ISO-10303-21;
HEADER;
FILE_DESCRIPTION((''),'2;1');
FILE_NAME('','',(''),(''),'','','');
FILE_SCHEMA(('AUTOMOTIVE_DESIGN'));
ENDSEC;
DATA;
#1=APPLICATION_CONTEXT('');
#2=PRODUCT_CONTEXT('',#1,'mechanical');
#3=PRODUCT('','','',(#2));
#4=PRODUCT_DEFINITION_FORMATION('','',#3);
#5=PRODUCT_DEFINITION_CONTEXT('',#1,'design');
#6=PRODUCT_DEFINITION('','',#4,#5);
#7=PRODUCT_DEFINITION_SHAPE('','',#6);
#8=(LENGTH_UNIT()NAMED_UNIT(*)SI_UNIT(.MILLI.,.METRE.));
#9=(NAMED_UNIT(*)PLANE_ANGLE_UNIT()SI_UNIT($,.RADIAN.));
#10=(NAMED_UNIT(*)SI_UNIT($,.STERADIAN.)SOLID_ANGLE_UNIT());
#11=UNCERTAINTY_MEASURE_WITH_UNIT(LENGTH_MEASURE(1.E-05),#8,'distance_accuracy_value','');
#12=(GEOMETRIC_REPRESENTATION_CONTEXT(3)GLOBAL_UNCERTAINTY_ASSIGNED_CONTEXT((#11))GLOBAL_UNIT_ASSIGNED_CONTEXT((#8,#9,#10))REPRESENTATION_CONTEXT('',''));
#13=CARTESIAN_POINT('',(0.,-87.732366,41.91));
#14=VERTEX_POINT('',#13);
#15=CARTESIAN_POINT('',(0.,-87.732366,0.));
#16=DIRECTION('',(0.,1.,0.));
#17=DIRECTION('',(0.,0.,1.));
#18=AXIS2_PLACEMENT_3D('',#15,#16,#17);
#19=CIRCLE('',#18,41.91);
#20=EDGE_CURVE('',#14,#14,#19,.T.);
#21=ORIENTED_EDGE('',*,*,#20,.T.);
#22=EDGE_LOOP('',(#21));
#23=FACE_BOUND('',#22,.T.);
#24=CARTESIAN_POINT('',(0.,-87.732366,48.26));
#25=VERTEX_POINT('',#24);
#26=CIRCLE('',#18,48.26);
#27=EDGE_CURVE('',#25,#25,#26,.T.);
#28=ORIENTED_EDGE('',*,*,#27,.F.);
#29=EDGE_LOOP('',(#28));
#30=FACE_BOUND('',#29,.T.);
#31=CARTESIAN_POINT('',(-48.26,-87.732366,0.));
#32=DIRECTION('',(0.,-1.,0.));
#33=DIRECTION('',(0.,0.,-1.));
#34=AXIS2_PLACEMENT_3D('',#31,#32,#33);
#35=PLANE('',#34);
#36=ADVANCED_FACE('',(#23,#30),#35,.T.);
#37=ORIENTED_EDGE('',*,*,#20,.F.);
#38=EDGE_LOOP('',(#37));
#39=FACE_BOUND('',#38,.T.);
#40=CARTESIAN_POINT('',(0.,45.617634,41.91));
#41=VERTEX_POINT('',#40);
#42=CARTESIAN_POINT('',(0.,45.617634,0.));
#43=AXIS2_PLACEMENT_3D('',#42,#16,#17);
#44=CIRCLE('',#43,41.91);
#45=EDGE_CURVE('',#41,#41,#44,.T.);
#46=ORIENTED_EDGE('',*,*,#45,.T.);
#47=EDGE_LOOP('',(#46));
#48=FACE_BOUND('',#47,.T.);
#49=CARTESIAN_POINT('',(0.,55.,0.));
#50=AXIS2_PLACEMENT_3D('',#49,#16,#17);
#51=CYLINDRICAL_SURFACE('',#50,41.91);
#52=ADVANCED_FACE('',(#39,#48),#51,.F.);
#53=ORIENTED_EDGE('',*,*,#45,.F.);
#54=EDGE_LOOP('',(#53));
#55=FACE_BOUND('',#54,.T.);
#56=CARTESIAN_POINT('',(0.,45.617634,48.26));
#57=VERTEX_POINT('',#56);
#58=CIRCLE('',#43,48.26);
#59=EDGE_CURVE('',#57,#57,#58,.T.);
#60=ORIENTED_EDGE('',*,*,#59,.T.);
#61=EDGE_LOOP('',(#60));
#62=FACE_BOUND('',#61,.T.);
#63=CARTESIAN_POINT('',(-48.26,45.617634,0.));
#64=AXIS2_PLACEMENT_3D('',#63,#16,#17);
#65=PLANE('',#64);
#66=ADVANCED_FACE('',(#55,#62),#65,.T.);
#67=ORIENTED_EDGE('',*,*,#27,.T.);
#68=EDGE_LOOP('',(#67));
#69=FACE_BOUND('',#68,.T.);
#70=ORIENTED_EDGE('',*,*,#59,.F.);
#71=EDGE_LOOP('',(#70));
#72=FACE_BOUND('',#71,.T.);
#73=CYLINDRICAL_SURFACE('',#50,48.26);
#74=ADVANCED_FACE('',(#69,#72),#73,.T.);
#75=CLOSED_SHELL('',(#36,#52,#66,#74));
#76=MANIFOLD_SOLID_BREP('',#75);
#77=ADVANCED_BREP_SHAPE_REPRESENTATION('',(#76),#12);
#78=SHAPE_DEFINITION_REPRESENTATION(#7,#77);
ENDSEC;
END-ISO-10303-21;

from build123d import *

# Parameters (mm, degrees)
SKETCH1_W = 6.35
SKETCH1_H = 133.35


with BuildPart() as part:
    # Sketch1 → Revolve1 (revolve)
    with BuildSketch(Plane.XY):
        with Locations((-45.085, -21.057365567)):
            Rectangle(SKETCH1_W, SKETCH1_H)
    revolve(axis=Axis((0, 55, 0), (0, -1, 0)))


solid = part.part
